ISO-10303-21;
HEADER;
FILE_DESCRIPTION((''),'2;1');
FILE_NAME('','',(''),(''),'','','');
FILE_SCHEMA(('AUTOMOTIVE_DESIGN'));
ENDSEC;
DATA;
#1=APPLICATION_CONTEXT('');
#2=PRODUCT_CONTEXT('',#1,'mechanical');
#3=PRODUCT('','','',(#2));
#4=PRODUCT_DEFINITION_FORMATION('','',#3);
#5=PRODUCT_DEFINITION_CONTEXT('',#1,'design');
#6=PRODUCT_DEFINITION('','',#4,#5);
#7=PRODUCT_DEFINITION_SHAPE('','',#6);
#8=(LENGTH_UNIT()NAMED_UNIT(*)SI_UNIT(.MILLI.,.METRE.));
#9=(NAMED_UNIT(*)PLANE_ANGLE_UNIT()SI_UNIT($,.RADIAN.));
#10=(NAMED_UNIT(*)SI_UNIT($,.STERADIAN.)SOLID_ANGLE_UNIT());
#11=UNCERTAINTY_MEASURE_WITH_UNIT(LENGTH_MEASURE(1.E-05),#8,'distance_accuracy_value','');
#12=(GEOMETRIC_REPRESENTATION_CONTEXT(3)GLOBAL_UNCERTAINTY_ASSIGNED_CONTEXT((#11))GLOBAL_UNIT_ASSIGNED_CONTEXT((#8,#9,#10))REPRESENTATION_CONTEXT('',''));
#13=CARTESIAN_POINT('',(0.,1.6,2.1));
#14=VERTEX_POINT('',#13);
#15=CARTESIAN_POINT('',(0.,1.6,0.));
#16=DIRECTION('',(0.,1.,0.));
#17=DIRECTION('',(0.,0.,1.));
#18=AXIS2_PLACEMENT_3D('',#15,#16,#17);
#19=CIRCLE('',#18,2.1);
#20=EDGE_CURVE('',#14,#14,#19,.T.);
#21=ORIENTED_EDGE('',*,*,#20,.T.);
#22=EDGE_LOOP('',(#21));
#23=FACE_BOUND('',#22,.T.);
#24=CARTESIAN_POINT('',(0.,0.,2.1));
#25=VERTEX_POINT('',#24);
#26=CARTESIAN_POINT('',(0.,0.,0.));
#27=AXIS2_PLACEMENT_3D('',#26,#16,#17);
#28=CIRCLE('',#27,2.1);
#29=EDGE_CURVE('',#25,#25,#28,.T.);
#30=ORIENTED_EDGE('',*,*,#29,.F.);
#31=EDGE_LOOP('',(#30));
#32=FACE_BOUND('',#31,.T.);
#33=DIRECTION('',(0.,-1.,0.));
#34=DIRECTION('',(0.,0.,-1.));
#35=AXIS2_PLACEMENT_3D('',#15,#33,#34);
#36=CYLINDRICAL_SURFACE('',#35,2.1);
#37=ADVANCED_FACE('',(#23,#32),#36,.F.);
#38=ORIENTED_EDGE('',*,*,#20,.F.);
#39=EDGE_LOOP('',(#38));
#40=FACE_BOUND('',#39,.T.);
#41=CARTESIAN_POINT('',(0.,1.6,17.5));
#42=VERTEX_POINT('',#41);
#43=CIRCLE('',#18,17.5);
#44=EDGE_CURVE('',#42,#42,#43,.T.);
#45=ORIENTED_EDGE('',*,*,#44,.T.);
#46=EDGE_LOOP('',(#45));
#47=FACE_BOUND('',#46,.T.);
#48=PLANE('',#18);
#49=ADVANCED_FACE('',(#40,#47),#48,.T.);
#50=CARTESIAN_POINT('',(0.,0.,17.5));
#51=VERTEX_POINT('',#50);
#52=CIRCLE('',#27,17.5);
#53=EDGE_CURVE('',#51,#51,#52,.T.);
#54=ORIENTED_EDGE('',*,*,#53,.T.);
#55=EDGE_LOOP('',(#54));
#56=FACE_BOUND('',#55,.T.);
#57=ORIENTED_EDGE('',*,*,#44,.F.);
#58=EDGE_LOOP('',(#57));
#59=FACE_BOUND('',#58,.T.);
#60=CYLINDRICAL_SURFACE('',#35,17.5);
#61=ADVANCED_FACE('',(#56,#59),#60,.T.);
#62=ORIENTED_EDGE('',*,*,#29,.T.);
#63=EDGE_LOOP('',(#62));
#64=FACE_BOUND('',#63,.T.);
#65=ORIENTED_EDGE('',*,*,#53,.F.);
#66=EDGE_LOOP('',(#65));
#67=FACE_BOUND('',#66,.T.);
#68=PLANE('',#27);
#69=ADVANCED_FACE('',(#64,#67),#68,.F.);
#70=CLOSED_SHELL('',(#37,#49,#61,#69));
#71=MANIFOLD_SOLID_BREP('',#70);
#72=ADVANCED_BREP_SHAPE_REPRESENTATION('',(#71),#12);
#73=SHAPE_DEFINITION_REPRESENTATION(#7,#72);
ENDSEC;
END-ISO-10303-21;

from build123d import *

# Parameters (mm, degrees)
SKETCH_2_R      = 17.5
SKETCH_2_R_2    = 2.1
EXTRUDE_2_DEPTH = 1.6


with BuildPart() as part:
    # ｽｹｯﾁ2 → ﾎﾞｽ - 押し出し2 (new body)
    with BuildSketch(Plane(origin=(0, 0, 0), x_dir=(-1, 0, 0), z_dir=(0, 1, 0))):
        with Locations(Location((0, 0, 0), (0, 0, 90))):
            Circle(SKETCH_2_R)
        with Locations(Location((0, 0, 0), (0, 0, 90))):
            Circle(SKETCH_2_R_2, mode=Mode.SUBTRACT)
    extrude(amount=EXTRUDE_2_DEPTH)


solid = part.part
